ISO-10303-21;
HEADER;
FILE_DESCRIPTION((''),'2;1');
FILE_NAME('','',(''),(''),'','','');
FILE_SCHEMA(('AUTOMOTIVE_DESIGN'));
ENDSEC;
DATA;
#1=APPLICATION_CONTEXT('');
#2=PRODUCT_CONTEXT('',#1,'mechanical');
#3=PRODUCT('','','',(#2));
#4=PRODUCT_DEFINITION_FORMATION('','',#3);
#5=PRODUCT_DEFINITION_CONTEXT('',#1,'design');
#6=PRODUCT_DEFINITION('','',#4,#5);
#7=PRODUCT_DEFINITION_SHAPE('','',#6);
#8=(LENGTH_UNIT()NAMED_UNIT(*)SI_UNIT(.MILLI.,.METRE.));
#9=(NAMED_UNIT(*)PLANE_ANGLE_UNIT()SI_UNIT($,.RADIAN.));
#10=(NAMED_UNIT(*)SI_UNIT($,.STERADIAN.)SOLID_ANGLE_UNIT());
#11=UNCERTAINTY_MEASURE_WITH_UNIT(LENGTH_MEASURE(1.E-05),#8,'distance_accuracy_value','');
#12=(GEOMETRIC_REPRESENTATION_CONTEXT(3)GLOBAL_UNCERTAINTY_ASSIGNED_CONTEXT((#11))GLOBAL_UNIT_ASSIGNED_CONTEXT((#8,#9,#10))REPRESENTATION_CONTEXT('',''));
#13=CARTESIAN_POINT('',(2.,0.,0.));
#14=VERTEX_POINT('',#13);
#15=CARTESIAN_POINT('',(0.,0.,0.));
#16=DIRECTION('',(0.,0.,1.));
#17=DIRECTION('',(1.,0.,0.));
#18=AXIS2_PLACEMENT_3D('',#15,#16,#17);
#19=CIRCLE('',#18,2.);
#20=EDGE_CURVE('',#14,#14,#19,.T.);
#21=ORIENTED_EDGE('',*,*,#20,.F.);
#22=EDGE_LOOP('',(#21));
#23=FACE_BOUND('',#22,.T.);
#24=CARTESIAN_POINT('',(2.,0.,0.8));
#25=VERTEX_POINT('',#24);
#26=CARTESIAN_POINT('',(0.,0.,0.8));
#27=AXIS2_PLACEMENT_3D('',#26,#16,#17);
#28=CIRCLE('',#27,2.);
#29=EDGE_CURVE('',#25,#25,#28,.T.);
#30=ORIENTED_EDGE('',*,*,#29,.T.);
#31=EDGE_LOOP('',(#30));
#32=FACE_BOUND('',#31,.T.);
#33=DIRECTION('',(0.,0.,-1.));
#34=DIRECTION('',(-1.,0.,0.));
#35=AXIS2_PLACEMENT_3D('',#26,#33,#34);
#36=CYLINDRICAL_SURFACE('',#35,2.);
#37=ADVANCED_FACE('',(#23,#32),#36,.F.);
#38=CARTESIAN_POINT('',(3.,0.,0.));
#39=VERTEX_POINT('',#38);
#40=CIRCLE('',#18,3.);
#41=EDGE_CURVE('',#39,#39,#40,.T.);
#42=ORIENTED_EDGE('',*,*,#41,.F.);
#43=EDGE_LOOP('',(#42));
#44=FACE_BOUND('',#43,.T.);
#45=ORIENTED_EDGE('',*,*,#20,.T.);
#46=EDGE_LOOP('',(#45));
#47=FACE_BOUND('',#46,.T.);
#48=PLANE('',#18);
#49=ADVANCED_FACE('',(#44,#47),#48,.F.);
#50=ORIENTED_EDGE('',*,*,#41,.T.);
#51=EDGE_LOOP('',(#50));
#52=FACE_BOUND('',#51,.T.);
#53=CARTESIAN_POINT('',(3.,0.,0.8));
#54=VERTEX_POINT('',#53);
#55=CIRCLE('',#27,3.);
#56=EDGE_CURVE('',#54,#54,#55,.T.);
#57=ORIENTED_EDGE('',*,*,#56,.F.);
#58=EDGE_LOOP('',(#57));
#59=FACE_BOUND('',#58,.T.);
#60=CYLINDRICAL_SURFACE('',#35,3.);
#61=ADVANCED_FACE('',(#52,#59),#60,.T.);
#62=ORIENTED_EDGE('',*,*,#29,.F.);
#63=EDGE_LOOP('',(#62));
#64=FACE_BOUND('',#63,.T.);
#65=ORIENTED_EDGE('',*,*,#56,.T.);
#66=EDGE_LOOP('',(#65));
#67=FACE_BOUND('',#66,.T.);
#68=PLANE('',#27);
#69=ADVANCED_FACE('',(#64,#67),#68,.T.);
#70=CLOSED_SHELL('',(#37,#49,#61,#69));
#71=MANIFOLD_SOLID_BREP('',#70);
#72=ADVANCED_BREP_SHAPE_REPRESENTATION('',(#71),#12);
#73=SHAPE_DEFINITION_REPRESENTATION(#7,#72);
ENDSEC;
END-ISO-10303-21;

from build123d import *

# Parameters (mm, degrees)
CROQUIS1_R              = 3
CROQUIS1_R_2            = 2
SALIENTE_EXTRUIR1_DEPTH = 0.8


with BuildPart() as part:
    # Croquis1 → Saliente-Extruir1 (new body)
    with BuildSketch(Plane.XY):
        Circle(CROQUIS1_R)
        Circle(CROQUIS1_R_2, mode=Mode.SUBTRACT)
    extrude(amount=SALIENTE_EXTRUIR1_DEPTH)


solid = part.part
